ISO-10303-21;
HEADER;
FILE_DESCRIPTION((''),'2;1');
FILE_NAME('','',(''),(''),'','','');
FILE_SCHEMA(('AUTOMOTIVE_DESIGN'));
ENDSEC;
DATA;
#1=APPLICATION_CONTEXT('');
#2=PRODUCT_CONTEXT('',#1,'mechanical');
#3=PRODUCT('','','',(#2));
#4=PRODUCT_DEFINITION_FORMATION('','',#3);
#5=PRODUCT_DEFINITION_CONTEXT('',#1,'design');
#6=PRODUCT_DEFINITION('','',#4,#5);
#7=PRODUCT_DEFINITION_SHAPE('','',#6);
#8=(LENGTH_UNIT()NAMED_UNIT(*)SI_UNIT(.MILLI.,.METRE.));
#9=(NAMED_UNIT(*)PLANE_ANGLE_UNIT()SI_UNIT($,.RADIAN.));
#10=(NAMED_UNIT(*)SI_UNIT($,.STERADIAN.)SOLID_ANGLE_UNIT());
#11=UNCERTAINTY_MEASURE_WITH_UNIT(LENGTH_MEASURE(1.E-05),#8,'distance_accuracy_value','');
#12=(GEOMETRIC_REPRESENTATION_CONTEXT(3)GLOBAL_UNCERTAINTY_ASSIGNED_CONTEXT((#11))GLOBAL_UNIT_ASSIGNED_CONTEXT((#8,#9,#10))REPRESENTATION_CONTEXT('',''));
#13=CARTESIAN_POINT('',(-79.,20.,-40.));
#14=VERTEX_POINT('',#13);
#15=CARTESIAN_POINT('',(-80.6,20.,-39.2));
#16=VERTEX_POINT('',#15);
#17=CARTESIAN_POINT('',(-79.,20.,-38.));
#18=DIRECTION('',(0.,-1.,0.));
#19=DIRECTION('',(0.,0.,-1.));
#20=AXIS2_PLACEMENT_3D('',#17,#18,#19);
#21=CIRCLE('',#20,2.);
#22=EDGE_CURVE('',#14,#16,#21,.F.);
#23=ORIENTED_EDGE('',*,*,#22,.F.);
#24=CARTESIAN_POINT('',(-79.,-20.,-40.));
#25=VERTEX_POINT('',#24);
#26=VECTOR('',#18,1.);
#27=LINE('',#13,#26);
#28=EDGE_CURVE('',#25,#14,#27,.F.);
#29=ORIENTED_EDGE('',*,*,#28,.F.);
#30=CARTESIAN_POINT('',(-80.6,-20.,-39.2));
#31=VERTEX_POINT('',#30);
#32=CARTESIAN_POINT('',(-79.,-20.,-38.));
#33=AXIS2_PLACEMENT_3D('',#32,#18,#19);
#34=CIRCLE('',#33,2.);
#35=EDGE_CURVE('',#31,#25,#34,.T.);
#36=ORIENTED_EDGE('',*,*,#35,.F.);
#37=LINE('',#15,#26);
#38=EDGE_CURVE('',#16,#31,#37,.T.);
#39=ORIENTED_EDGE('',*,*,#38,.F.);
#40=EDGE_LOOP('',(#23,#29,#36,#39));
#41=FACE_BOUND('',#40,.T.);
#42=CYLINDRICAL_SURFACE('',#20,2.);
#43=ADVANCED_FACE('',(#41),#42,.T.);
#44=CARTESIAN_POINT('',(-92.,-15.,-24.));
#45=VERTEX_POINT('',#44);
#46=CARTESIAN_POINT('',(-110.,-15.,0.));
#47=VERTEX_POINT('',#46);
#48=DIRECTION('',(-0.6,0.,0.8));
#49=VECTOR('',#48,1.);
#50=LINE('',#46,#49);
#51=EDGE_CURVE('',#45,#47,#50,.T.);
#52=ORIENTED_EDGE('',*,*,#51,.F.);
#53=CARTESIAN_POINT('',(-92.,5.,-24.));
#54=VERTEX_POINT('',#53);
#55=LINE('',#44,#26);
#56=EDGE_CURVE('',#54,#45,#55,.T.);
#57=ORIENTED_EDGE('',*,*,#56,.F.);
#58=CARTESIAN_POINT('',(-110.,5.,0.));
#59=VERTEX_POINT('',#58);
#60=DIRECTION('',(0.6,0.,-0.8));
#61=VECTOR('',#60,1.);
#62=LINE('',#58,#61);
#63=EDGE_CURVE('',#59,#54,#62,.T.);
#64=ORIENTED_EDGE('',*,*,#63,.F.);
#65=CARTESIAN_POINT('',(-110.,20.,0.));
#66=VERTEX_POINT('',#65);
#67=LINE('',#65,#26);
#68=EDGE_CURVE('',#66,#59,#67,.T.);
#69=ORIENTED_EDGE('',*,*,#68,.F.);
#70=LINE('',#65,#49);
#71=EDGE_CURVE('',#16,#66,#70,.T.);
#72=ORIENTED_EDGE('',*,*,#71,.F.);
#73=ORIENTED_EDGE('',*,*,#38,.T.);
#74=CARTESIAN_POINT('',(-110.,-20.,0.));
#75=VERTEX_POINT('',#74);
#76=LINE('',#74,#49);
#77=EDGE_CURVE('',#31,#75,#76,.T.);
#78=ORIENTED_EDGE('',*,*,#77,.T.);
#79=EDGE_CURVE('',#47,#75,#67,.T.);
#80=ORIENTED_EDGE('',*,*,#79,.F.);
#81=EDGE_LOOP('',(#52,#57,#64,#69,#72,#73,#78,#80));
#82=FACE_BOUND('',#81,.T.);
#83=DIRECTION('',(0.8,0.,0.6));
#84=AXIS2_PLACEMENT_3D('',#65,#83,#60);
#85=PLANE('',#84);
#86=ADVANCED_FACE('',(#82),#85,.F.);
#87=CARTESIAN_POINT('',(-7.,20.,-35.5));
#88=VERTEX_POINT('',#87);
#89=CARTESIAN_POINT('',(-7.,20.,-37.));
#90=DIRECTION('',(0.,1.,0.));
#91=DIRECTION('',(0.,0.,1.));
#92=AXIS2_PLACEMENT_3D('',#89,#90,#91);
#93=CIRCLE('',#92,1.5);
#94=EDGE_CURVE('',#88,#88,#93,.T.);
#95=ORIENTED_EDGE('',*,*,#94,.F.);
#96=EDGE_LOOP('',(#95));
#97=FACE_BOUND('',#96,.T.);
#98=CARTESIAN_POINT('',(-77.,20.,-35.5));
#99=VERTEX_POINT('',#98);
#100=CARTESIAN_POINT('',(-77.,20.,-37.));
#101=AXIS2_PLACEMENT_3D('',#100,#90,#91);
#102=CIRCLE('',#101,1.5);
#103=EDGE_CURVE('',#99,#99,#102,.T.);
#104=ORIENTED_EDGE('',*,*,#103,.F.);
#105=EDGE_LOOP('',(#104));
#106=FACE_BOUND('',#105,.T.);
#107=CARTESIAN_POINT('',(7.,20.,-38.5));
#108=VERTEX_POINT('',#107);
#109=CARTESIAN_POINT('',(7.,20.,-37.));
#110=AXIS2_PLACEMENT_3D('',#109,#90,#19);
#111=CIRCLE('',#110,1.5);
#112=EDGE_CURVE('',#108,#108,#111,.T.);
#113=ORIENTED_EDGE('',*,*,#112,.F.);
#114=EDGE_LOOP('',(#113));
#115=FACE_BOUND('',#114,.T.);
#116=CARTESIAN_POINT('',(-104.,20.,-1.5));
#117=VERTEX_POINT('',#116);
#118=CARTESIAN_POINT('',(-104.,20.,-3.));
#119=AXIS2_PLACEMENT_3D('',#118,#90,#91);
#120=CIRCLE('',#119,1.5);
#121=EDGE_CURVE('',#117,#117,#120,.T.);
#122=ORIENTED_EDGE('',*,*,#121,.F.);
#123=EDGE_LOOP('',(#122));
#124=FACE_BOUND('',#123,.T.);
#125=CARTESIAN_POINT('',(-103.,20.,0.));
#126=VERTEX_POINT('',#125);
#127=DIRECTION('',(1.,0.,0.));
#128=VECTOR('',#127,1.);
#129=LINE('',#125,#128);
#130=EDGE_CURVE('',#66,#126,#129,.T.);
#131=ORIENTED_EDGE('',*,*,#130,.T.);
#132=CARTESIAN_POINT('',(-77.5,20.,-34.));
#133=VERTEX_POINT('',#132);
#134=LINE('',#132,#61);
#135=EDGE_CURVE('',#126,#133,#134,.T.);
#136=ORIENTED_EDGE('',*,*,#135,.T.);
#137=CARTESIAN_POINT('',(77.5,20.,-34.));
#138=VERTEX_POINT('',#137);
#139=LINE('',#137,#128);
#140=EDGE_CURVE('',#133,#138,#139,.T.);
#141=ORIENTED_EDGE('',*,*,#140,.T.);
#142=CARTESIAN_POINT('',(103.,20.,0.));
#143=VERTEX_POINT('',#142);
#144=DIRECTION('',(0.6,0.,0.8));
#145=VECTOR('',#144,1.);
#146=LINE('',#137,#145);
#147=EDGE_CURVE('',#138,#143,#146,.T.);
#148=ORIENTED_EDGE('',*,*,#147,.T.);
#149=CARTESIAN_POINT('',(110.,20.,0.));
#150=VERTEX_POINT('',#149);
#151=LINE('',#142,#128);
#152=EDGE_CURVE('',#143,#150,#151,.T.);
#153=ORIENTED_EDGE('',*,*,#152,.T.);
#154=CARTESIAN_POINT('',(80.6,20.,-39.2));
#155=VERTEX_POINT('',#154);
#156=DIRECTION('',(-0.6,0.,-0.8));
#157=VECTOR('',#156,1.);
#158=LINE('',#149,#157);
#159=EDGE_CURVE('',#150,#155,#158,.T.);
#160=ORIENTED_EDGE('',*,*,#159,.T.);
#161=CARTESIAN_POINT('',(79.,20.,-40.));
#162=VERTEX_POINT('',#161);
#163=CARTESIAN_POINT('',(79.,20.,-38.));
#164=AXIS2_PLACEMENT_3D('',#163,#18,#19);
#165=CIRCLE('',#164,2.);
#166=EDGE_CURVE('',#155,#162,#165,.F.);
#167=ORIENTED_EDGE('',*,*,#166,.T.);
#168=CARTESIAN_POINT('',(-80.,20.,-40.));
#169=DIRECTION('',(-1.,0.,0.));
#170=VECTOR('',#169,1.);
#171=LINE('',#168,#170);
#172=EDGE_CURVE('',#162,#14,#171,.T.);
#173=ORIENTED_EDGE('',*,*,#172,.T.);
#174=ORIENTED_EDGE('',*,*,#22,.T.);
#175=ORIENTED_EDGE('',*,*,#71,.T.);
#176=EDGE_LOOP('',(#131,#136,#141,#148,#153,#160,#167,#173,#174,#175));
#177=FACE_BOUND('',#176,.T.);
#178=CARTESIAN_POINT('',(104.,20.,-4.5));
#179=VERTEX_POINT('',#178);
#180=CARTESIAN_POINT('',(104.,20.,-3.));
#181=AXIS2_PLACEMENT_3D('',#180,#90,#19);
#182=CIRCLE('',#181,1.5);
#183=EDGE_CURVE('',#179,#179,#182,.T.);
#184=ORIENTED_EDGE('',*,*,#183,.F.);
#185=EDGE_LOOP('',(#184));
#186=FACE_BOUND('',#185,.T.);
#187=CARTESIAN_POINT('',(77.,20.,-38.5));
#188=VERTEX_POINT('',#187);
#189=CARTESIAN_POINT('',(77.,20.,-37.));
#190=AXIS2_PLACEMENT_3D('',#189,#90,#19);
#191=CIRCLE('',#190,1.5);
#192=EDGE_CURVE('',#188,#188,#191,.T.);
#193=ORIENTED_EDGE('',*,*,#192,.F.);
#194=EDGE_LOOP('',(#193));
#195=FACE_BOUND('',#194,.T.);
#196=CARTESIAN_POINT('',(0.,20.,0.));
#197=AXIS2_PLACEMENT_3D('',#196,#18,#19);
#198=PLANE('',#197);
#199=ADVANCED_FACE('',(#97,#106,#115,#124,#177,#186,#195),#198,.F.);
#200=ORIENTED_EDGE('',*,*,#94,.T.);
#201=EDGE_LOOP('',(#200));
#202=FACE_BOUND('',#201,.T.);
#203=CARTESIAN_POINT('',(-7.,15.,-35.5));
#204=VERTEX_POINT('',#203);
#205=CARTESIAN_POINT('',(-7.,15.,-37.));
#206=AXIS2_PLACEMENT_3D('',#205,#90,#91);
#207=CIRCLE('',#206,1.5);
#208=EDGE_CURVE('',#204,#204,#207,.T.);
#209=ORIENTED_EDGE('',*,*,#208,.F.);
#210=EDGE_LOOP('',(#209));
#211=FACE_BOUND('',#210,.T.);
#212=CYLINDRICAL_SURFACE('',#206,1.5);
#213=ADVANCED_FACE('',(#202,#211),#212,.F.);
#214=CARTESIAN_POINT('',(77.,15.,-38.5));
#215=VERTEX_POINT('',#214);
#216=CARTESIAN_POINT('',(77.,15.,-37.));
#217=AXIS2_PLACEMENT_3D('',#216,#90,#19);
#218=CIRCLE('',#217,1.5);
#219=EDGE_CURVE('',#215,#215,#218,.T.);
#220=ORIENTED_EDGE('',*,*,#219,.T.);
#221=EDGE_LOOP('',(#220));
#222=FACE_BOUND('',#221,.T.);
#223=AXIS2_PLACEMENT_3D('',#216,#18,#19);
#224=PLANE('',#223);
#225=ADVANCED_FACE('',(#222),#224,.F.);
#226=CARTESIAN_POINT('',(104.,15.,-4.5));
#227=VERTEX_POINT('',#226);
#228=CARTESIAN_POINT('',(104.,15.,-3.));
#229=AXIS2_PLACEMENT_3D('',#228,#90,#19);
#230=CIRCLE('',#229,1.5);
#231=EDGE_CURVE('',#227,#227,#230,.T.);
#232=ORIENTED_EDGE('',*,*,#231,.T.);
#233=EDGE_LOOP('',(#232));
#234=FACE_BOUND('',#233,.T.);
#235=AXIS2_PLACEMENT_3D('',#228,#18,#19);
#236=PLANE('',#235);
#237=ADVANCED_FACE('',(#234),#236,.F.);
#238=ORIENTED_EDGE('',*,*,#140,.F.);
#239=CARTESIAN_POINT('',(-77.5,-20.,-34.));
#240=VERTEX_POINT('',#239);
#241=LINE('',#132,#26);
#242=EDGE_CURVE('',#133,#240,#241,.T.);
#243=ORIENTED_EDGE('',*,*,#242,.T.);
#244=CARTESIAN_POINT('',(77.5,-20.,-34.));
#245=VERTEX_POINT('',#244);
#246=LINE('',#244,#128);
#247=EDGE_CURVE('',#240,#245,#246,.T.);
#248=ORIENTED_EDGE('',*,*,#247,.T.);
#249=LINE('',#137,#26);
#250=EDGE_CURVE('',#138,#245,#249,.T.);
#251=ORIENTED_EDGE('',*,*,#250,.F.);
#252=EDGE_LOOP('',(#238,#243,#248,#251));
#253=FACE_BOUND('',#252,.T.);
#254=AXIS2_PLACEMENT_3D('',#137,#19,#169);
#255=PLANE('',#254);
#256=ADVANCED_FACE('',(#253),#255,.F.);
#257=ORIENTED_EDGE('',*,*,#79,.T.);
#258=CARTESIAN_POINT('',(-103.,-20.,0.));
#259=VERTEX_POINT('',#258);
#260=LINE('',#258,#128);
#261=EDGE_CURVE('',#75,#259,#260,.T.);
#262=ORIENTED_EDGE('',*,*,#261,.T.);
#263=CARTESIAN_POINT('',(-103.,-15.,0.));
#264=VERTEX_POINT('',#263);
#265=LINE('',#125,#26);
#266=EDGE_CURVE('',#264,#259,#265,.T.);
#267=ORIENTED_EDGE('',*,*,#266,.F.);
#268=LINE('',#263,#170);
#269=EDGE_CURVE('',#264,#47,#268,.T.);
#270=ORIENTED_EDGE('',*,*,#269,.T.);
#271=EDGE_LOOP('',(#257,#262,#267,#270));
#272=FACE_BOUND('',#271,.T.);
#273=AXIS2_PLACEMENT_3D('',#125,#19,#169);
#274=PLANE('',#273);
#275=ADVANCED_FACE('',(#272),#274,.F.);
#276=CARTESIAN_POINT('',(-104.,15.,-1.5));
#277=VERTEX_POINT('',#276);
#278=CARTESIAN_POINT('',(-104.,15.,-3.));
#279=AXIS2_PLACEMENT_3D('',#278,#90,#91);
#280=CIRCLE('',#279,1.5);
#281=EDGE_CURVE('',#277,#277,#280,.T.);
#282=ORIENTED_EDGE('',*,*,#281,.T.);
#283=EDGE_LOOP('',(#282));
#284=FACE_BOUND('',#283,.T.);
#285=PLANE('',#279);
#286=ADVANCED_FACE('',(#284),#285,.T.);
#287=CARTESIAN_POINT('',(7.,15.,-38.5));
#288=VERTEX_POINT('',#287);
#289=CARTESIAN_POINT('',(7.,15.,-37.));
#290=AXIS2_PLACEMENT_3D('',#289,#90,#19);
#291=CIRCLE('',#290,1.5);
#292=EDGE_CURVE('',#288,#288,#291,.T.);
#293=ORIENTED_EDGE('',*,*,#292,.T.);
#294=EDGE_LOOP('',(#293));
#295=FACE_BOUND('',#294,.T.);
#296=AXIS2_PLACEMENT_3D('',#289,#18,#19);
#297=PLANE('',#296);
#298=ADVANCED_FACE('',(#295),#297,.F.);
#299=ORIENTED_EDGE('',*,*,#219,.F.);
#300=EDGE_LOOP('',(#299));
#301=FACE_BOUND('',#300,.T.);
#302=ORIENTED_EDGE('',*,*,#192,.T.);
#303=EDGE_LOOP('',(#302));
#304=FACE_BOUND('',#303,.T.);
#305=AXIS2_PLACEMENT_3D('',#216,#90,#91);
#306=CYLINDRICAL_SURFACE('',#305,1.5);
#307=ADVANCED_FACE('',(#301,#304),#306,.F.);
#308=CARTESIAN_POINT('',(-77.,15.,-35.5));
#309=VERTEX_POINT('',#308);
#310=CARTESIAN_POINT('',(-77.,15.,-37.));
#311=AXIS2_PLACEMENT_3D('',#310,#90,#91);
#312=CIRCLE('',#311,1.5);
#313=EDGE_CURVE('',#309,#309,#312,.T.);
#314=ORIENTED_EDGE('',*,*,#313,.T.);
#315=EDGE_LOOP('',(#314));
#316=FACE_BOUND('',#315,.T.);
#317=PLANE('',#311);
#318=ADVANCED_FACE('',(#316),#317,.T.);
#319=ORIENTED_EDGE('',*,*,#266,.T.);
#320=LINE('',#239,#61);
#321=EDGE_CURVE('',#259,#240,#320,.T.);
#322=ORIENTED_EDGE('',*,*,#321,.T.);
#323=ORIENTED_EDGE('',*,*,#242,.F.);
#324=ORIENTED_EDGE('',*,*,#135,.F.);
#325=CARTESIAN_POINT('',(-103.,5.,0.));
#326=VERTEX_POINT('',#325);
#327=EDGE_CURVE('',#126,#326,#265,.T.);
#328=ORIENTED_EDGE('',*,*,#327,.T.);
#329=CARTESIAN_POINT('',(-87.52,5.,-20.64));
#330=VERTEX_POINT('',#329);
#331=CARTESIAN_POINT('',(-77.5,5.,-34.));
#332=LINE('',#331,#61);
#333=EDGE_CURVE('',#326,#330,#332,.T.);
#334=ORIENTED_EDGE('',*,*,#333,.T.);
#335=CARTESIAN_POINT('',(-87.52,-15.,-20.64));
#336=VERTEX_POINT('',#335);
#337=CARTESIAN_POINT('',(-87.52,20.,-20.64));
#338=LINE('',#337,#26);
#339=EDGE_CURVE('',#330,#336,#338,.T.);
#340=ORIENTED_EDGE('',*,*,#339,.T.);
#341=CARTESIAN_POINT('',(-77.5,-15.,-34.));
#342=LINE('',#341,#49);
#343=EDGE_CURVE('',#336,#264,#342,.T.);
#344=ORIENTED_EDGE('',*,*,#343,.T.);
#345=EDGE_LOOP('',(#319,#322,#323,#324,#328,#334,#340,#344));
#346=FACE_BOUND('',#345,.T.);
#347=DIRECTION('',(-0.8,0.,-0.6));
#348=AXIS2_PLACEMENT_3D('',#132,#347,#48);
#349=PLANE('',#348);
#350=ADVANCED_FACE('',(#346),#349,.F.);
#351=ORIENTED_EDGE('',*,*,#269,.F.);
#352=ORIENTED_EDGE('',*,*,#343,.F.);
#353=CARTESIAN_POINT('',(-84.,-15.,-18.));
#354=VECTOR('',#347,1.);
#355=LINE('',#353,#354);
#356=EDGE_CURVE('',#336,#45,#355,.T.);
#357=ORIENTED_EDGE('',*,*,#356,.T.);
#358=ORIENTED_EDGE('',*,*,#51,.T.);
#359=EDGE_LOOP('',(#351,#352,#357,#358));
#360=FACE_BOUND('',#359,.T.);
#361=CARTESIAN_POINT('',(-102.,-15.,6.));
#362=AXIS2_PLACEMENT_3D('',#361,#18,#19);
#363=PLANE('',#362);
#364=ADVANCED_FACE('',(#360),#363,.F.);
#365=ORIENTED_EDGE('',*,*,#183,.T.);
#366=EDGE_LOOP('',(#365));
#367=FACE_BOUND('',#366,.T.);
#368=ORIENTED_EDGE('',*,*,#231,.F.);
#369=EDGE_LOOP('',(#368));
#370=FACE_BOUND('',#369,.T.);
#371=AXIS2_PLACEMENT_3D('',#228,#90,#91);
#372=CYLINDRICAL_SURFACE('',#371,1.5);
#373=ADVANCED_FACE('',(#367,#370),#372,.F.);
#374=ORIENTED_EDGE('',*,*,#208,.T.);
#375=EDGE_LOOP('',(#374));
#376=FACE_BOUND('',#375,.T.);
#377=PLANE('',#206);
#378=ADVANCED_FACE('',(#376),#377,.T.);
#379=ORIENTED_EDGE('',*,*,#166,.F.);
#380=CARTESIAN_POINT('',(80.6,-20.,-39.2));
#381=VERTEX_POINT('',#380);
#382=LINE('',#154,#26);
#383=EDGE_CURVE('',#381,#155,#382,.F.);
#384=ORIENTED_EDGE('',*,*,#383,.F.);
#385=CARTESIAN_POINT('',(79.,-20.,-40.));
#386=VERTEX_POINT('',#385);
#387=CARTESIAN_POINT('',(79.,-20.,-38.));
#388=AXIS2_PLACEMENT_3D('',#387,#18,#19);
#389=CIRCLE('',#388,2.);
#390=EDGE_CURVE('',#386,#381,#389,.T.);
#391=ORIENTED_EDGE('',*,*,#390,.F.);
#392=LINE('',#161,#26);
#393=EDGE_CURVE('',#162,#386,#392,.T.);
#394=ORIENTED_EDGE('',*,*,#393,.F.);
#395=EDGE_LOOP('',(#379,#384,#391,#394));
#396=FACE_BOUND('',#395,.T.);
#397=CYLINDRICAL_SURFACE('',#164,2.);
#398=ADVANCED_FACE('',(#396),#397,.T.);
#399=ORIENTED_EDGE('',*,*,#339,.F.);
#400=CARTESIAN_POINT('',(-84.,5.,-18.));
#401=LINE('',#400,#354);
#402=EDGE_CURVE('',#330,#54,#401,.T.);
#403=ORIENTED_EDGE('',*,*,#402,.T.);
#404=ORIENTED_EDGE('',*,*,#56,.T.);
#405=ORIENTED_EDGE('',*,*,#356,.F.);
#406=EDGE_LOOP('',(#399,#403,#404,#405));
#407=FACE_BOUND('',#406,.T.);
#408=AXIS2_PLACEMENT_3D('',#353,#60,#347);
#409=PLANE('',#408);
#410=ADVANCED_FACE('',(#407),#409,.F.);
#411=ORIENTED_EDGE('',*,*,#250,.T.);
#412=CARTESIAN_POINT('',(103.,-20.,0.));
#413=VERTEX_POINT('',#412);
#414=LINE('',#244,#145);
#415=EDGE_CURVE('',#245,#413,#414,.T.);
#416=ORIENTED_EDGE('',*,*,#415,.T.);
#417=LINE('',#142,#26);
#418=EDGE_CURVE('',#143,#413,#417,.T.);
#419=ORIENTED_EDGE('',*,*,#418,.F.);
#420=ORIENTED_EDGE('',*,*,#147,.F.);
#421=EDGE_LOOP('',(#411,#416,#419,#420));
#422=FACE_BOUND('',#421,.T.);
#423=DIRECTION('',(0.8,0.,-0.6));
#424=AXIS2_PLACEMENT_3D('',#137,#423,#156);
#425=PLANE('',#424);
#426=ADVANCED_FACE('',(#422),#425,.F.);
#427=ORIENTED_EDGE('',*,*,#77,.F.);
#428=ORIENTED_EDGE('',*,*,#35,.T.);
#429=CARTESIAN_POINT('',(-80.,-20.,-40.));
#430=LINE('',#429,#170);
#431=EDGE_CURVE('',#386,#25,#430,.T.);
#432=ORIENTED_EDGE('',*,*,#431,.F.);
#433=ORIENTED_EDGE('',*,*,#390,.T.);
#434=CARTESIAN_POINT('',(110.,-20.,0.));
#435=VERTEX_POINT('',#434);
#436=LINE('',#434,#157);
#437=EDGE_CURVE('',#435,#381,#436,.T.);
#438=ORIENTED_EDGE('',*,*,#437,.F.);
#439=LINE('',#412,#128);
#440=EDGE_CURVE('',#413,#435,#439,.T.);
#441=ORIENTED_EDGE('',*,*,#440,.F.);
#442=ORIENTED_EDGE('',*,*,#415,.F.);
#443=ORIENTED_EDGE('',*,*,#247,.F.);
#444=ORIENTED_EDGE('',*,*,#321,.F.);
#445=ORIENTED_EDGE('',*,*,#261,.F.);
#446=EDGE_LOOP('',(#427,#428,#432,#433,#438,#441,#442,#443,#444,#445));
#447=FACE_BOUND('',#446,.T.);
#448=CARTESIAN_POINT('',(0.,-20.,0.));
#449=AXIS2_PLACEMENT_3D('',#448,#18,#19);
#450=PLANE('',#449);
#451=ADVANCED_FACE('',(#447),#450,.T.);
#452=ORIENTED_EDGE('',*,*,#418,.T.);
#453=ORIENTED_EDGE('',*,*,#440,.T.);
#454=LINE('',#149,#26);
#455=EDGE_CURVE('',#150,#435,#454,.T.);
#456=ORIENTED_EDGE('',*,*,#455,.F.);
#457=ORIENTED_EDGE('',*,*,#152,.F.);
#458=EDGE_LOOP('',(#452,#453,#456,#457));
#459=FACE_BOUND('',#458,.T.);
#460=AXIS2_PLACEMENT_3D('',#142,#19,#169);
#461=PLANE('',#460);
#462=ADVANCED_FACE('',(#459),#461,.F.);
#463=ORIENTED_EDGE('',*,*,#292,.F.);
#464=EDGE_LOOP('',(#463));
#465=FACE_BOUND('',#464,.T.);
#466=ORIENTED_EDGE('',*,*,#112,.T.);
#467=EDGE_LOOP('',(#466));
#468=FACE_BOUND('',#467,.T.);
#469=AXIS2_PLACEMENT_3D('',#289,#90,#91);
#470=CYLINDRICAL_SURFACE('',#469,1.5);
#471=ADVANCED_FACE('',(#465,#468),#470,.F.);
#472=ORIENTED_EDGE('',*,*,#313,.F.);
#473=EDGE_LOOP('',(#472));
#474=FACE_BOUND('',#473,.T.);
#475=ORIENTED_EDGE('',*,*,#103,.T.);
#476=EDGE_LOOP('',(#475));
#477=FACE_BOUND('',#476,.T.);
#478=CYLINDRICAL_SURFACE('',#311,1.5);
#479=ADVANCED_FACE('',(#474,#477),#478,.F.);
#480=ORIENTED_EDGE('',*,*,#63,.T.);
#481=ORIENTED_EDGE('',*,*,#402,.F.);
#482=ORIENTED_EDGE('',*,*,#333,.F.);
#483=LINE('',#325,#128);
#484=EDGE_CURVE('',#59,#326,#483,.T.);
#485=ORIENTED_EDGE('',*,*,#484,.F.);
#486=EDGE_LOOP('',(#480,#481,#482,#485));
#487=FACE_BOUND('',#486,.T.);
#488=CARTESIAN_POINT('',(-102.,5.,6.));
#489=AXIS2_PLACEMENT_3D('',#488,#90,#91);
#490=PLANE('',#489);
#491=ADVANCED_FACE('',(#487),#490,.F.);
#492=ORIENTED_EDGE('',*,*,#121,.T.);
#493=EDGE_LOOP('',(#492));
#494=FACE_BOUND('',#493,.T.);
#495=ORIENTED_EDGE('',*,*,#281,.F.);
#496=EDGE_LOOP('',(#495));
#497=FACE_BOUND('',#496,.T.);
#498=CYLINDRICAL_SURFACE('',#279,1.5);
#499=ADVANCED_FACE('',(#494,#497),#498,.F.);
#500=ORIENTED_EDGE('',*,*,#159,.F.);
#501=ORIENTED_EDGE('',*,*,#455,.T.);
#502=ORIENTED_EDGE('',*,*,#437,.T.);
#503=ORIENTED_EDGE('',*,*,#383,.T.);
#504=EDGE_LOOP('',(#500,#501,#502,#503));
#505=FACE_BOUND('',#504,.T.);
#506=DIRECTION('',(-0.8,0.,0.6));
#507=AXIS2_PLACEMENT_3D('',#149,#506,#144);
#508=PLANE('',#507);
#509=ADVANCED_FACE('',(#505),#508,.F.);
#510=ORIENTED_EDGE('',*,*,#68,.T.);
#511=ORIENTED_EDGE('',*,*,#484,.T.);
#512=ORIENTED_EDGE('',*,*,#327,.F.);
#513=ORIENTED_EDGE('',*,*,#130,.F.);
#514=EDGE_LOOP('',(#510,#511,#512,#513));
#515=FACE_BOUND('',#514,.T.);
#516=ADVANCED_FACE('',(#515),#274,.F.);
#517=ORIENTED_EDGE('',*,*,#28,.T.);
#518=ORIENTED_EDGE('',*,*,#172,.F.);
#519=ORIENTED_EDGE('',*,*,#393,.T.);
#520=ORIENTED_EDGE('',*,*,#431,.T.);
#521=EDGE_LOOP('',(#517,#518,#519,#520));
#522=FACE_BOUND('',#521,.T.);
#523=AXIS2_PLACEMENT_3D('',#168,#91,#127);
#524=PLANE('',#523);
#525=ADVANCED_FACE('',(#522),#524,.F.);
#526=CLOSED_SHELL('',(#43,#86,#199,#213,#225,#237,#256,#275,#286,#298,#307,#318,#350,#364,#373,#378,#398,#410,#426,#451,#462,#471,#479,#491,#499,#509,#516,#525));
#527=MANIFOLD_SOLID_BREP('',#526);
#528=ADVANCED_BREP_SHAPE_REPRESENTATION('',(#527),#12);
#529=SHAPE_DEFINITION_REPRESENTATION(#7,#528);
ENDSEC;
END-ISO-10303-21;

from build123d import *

# Parameters (mm, degrees)
BOSS_EXTRUDE1_DEPTH = 20
SKETCH2_R           = 1.5
CUT_EXTRUDE1_DEPTH  = 5
FILLET1_R           = 2
SKETCH3_W           = 30
SKETCH3_H           = 20
CUT_EXTRUDE2_DEPTH  = 10


with BuildPart() as part:
    # Sketch1 → Boss-Extrude1 (new, symmetric)
    with BuildSketch(Plane(origin=(0, 0, 0), x_dir=(1, 0, 0), z_dir=(0, 1, 0))):
        Polygon((-110, 0), (-80, 40), (80, 40), (110, 0), (103, 0), (77.5, 34), (-77.5, 34), (-103, 0), align=None)
    extrude(amount=BOSS_EXTRUDE1_DEPTH, both=True)

    # Sketch2 → Cut-Extrude1 (cut)
    with BuildSketch(Plane(origin=(0, 20, 0), x_dir=(1, 0, 0), z_dir=(0, 1, 0))):
        with Locations(Location((-104, 3, 0), (0, 0, 270))):
            Circle(SKETCH2_R)
        with Locations(Location((-77, 37, 0), (0, 0, 270))):
            Circle(SKETCH2_R)
        with Locations(Location((-7, 37, 0), (0, 0, 270))):
            Circle(SKETCH2_R)
        with Locations(Location((7, 37, 0), (0, 0, 90))):
            Circle(SKETCH2_R)
        with Locations(Location((77, 37, 0), (0, 0, 90))):
            Circle(SKETCH2_R)
        with Locations(Location((104, 3, 0), (0, 0, 90))):
            Circle(SKETCH2_R)
    extrude(amount=-CUT_EXTRUDE1_DEPTH, mode=Mode.SUBTRACT)

    # Fillet1
    fillet1_edges = [part.edges().sort_by_distance(p)[0] for p in [
        (-80, 0, -40),
        (80, 0, -40),
    ]]
    fillet(fillet1_edges, radius=FILLET1_R)

    # Sketch3 → Cut-Extrude2 (cut)
    with BuildSketch(Plane(origin=(-70.4, 0, -52.8), x_dir=(-0.5999999999999998, 0, 0.8000000000000003), z_dir=(-0.8000000000000004, 0, -0.5999999999999998))):
        with Locations((51, -5)):
            Rectangle(SKETCH3_W, SKETCH3_H)
    extrude(amount=-CUT_EXTRUDE2_DEPTH, mode=Mode.SUBTRACT)


solid = part.part
